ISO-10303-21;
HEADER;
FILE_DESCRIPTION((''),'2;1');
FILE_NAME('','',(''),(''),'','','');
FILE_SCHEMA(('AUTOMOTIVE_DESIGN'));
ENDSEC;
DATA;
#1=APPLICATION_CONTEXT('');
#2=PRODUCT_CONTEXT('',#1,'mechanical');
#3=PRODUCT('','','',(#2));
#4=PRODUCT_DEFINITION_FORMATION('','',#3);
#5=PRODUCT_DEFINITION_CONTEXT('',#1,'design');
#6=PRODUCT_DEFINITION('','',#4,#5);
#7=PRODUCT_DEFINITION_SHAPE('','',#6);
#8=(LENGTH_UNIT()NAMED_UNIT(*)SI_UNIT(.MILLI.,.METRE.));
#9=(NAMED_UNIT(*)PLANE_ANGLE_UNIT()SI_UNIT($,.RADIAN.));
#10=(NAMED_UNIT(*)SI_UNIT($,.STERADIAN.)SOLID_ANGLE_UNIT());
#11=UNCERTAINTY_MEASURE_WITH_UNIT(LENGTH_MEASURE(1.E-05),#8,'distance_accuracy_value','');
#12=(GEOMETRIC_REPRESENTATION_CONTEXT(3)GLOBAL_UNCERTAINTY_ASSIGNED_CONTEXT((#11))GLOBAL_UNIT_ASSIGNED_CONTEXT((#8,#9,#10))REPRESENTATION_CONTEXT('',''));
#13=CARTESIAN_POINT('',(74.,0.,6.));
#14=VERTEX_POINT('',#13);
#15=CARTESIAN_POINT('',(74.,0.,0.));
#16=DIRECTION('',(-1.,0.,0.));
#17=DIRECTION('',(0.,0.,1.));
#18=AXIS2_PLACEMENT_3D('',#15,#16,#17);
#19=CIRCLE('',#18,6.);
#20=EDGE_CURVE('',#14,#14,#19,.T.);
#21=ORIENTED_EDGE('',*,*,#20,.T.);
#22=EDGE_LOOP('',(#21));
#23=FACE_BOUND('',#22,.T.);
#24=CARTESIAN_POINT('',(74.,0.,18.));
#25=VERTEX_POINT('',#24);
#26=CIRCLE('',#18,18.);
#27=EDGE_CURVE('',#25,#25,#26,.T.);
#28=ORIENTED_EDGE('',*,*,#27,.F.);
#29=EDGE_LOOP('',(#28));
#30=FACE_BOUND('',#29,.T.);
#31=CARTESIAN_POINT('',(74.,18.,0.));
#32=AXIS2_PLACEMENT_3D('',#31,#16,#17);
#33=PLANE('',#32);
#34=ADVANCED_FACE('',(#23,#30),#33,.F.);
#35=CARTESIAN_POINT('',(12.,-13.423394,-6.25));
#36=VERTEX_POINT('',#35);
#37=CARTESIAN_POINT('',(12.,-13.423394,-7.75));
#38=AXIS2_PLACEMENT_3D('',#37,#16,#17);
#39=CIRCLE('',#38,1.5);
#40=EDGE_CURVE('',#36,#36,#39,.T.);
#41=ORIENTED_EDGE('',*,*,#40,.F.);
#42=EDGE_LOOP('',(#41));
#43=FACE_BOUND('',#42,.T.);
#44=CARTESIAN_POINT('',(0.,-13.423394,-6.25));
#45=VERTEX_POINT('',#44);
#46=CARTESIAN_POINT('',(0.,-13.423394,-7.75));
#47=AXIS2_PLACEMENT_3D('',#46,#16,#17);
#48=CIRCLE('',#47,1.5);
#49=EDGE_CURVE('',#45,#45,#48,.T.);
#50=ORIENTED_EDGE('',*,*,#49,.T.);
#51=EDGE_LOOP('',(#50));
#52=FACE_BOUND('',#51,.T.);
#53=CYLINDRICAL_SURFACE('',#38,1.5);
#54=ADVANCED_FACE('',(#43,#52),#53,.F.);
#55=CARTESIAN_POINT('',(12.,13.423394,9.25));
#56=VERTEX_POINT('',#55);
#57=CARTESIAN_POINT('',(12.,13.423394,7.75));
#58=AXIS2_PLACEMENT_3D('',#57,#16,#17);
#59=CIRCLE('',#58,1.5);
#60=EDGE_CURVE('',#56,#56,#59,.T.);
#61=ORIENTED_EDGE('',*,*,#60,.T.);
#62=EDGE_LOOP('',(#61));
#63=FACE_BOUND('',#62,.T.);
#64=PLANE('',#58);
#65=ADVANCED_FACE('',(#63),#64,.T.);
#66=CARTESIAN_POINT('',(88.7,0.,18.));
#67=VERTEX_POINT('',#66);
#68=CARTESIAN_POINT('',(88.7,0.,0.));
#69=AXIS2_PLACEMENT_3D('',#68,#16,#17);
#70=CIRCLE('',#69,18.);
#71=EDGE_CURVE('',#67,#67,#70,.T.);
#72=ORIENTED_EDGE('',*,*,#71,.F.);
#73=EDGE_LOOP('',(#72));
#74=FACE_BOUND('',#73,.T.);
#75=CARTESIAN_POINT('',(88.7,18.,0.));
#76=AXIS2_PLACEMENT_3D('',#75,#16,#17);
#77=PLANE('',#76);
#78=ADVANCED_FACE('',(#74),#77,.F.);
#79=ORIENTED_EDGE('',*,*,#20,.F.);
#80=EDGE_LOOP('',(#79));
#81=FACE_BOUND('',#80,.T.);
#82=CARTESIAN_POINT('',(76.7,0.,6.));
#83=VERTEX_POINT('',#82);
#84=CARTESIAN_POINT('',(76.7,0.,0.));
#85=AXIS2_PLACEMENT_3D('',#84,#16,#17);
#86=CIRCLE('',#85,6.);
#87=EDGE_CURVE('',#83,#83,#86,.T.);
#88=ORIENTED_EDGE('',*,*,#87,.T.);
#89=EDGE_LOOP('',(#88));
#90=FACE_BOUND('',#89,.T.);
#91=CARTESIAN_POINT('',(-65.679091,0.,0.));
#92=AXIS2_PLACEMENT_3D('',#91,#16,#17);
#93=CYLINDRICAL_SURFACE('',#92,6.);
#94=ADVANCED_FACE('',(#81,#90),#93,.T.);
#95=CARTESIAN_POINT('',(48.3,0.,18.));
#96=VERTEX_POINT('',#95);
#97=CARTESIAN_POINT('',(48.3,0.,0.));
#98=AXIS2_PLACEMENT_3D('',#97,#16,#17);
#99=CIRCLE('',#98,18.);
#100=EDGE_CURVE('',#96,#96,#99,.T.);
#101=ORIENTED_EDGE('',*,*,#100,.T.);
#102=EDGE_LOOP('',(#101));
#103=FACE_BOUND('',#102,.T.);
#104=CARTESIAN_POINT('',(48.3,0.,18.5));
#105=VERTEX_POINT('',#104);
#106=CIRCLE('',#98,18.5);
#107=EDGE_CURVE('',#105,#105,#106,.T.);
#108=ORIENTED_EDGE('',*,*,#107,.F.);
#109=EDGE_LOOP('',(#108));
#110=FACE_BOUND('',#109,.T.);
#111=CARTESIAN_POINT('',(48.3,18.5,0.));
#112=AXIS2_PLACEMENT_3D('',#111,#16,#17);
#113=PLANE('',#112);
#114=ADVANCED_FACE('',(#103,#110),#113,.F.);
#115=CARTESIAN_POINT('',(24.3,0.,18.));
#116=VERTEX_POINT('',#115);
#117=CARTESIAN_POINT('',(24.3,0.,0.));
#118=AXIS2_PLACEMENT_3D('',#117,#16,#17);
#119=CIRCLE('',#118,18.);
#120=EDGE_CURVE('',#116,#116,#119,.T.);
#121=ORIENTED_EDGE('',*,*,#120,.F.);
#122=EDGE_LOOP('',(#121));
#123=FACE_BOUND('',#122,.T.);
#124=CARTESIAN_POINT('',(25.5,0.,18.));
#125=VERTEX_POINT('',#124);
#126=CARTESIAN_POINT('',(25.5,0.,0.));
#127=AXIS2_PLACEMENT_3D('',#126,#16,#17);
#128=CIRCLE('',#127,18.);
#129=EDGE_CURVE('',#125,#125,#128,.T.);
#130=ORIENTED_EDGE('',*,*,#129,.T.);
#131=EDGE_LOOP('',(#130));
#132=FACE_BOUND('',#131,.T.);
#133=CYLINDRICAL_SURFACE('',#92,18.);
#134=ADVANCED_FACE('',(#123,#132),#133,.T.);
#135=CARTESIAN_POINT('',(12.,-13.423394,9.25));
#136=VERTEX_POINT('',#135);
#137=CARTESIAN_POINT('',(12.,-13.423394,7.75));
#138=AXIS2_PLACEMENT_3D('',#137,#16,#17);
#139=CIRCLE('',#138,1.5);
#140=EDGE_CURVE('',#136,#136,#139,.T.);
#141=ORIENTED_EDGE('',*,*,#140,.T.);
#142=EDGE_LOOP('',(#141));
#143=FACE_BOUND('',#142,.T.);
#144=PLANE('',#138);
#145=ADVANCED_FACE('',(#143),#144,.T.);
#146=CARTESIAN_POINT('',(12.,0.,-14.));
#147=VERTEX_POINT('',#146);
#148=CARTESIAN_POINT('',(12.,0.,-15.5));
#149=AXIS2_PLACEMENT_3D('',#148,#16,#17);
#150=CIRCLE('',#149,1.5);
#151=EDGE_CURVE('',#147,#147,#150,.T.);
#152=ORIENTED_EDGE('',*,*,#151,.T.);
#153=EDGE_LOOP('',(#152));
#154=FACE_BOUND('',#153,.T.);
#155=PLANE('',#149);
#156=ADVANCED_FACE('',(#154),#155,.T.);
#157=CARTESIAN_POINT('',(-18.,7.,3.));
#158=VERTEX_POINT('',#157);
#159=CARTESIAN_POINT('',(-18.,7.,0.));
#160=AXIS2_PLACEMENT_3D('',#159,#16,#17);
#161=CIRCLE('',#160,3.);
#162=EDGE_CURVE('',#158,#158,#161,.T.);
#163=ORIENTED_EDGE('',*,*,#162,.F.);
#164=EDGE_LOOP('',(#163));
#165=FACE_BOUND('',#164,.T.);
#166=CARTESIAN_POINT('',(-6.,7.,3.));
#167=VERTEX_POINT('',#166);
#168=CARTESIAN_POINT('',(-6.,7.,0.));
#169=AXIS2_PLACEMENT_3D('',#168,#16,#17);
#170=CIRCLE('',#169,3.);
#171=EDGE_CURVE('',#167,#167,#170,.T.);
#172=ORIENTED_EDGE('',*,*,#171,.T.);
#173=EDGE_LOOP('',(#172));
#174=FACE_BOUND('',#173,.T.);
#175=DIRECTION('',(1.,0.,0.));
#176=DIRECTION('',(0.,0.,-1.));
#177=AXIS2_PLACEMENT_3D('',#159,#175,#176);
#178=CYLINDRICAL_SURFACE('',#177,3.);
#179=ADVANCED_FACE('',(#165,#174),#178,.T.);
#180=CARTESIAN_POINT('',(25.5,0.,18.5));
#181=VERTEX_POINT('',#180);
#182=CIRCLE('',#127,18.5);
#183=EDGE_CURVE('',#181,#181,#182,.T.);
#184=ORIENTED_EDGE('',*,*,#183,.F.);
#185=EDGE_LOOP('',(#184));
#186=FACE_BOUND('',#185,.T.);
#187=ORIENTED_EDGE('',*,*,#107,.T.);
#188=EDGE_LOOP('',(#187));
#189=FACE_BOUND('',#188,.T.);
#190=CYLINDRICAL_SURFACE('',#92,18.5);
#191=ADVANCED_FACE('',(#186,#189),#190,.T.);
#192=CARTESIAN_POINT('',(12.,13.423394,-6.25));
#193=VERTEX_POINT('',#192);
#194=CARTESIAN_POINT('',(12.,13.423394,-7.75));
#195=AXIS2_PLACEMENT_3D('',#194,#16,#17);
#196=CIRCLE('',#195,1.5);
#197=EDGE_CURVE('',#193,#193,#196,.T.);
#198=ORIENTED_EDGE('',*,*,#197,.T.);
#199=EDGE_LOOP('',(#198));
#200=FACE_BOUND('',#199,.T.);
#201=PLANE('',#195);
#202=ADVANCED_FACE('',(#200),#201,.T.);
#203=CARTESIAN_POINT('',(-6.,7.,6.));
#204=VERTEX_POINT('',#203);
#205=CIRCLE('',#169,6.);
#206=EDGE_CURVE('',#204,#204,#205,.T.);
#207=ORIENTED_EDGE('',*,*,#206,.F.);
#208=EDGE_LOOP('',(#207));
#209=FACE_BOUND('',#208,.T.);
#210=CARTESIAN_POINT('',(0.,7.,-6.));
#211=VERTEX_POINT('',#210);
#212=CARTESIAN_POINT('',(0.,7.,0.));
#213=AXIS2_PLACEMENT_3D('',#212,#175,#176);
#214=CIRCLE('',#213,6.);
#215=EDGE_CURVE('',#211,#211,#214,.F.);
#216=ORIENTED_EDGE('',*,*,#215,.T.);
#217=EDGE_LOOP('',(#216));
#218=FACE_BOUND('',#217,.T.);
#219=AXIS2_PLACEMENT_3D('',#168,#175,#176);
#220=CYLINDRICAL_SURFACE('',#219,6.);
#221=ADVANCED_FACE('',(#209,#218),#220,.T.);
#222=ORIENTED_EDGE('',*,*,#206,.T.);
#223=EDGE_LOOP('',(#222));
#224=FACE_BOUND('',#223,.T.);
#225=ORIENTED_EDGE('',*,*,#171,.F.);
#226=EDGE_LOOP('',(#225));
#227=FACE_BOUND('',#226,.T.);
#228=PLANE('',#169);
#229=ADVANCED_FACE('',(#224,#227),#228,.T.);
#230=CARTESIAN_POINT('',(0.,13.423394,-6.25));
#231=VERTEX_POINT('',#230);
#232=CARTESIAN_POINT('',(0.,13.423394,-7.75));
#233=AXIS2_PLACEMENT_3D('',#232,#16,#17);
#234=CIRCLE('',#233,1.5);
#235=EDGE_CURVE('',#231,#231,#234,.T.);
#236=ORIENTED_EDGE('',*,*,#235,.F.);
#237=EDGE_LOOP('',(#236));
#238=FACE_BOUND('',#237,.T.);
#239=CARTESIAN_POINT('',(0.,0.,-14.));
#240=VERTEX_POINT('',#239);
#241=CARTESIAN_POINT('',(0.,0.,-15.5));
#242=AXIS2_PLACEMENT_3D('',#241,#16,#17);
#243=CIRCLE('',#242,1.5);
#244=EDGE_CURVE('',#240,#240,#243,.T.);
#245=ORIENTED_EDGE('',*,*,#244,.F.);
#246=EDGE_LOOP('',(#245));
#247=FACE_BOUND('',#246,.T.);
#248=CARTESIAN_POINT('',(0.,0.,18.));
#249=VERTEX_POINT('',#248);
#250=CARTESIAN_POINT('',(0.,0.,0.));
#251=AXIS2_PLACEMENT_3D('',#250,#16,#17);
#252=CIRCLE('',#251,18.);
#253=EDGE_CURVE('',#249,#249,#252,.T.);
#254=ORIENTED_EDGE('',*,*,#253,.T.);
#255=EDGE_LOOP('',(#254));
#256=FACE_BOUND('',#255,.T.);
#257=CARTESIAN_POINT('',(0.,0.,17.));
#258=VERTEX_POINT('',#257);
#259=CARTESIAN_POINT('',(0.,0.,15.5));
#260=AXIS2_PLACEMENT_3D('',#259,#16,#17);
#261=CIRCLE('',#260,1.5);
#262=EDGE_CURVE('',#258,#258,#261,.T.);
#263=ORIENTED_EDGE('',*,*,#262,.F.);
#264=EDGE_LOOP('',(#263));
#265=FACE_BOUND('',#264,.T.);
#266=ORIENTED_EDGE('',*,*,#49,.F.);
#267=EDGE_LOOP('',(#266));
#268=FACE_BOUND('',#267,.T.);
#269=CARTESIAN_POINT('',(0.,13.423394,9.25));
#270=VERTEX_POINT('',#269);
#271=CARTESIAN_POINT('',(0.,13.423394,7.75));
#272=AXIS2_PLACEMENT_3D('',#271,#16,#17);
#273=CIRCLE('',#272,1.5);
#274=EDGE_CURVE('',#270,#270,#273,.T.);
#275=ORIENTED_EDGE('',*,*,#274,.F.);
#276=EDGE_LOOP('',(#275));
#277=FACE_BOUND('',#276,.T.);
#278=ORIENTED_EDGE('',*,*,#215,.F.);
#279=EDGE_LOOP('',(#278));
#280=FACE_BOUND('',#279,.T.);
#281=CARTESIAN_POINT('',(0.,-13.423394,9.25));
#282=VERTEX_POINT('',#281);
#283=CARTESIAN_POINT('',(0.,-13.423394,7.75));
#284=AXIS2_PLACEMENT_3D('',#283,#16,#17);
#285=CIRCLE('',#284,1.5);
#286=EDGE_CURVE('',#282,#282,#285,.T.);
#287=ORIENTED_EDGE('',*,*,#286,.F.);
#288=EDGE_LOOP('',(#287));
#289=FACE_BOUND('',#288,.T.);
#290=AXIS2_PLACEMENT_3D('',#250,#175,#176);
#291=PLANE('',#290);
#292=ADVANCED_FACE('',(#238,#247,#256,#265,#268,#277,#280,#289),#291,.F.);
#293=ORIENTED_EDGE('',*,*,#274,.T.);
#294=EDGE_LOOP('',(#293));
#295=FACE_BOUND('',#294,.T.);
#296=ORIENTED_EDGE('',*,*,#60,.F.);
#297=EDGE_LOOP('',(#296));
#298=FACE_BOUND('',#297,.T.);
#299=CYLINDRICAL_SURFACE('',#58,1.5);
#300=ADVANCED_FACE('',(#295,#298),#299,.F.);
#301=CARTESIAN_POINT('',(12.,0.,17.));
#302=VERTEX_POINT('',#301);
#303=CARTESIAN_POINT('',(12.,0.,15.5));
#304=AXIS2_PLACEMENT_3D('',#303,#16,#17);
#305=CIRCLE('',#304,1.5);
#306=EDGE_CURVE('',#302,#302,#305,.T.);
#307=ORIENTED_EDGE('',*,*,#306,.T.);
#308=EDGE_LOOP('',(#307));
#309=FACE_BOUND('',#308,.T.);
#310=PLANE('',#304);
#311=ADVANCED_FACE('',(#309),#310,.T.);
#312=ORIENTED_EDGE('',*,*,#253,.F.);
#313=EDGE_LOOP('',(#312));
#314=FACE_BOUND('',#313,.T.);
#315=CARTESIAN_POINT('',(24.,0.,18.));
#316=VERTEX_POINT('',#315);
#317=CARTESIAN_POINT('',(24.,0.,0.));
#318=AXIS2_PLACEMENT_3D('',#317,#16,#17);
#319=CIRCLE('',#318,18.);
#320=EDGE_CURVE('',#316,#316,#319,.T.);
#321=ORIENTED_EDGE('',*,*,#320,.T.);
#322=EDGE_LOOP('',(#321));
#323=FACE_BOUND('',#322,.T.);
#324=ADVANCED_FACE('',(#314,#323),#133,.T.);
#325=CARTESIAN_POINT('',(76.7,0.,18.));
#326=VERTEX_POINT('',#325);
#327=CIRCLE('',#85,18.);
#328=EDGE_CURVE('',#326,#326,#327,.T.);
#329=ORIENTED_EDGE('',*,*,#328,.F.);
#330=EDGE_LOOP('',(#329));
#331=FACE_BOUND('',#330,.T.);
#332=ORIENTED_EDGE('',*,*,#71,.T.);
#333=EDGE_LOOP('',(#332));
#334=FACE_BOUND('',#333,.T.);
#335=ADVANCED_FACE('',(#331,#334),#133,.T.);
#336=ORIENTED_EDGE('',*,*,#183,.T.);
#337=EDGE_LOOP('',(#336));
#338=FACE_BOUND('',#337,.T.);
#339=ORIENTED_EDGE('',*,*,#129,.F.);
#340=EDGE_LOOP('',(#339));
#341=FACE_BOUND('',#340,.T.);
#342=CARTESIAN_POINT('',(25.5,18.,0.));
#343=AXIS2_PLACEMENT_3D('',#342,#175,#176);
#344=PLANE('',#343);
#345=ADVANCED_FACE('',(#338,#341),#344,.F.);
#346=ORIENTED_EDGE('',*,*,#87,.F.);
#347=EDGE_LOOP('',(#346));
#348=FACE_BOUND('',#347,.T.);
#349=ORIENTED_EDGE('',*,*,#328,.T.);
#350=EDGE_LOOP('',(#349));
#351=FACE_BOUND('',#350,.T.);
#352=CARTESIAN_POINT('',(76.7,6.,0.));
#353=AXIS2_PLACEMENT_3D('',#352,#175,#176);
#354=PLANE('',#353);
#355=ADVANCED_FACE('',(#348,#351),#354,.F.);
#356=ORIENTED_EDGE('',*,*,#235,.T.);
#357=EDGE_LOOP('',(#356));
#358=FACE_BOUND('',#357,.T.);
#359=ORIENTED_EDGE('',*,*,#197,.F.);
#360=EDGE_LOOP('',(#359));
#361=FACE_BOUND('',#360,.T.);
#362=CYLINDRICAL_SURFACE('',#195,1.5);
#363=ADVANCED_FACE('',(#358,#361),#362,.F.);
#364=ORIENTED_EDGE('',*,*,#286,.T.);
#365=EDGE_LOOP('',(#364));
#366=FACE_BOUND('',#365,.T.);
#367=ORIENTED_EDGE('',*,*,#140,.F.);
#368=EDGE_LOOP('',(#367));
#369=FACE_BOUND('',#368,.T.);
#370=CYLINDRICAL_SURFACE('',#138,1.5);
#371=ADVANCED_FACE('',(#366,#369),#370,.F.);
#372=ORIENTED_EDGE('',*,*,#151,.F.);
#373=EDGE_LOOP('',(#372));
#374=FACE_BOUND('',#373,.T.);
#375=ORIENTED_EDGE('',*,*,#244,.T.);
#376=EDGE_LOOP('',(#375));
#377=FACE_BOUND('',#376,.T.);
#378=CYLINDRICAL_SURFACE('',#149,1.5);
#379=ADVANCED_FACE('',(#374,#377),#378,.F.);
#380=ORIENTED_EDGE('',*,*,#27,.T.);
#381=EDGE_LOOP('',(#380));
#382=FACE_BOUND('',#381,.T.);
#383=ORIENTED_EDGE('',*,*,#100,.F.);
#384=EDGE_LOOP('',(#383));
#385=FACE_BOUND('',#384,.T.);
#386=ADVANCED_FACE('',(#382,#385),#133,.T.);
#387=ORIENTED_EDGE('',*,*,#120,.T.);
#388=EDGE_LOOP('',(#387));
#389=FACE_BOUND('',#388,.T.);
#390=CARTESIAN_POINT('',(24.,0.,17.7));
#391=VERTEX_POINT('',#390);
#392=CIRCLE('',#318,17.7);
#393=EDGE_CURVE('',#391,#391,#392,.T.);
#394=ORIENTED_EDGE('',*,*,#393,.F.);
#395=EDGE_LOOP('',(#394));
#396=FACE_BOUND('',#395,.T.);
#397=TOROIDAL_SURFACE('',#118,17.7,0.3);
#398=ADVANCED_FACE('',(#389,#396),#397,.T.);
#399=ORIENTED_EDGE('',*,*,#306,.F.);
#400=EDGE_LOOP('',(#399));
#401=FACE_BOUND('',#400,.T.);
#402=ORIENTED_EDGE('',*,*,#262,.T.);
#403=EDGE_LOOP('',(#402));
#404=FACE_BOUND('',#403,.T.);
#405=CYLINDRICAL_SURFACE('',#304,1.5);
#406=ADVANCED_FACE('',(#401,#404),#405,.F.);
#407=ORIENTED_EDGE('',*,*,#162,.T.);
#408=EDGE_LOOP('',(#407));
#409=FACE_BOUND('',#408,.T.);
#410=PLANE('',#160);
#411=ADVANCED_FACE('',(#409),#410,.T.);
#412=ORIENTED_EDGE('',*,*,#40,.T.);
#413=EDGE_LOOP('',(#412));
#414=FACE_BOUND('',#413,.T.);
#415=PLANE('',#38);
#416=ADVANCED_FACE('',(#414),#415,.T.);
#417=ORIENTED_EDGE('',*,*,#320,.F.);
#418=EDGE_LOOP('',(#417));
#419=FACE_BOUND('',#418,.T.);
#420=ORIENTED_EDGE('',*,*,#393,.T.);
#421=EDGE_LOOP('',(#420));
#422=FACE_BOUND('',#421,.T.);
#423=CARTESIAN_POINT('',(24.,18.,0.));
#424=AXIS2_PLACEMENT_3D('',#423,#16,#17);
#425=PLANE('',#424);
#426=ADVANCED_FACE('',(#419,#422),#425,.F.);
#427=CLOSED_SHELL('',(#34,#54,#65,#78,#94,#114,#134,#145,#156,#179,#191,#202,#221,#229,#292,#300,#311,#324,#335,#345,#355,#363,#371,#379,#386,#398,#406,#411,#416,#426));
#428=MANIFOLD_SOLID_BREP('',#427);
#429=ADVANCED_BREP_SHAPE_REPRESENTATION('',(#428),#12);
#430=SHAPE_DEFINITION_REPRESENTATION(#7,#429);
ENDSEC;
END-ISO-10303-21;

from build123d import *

# Parameters (mm, degrees)
SKETCH_6_R           = 6
EXTRUDE_3_DEPTH      = 6
SKETCH_7_R           = 3
EXTRUDE_4_DEPTH      = 12
SKETCH_8_R           = 1.5
CUT_EXTRUDE_22_DEPTH = 12


with BuildPart() as part:
    # 草图5 → 旋转1 (revolve)
    with BuildSketch(Plane.XY):
        with BuildLine():
            Line((0, 0), (0, 18))
            Line((0, 18), (24, 18))
            Line((24, 18), (24, 17.7))
            ThreePointArc((24, 17.7), (24.087867966, 17.912132034), (24.3, 18))
            Line((24.3, 18), (25.5, 18))
            Line((25.5, 18), (25.5, 18.5))
            Line((25.5, 18.5), (48.3, 18.5))
            Line((48.3, 18.5), (48.3, 18))
            Line((48.3, 18), (74, 18))
            Line((74, 18), (74, 6))
            Line((74, 6), (76.7, 6))
            Line((76.7, 6), (76.7, 18))
            Line((76.7, 18), (88.7, 18))
            Line((88.7, 18), (88.7, 0))
            Line((88.7, 0), (0, 0))
        make_face()
    revolve(axis=Axis((-65.679090957, 0, 0), (1, 0, 0)))

    # 草图6 → 凸台-拉伸3 (add)
    with BuildSketch(Plane.ZY):
        with Locations((0, 7)):
            Circle(SKETCH_6_R)
    extrude(amount=EXTRUDE_3_DEPTH)

    # 草图7 → 凸台-拉伸4 (add)
    with BuildSketch(Plane.ZY.offset(6)):
        with Locations((0, 7)):
            Circle(SKETCH_7_R)
    extrude(amount=EXTRUDE_4_DEPTH)

    # 草图8 → 切除-拉伸22 (cut)
    with BuildSketch(Plane.ZY):
        with Locations((15.5, 0)):
            Circle(SKETCH_8_R)
        with Locations((7.75, -13.423393759)):
            Circle(SKETCH_8_R)
        with Locations((-7.75, -13.423393759)):
            Circle(SKETCH_8_R)
        with Locations((-15.5, 0)):
            Circle(SKETCH_8_R)
        with Locations((-7.75, 13.423393759)):
            Circle(SKETCH_8_R)
        with Locations((7.75, 13.423393759)):
            Circle(SKETCH_8_R)
    extrude(amount=-CUT_EXTRUDE_22_DEPTH, mode=Mode.SUBTRACT)


solid = part.part
